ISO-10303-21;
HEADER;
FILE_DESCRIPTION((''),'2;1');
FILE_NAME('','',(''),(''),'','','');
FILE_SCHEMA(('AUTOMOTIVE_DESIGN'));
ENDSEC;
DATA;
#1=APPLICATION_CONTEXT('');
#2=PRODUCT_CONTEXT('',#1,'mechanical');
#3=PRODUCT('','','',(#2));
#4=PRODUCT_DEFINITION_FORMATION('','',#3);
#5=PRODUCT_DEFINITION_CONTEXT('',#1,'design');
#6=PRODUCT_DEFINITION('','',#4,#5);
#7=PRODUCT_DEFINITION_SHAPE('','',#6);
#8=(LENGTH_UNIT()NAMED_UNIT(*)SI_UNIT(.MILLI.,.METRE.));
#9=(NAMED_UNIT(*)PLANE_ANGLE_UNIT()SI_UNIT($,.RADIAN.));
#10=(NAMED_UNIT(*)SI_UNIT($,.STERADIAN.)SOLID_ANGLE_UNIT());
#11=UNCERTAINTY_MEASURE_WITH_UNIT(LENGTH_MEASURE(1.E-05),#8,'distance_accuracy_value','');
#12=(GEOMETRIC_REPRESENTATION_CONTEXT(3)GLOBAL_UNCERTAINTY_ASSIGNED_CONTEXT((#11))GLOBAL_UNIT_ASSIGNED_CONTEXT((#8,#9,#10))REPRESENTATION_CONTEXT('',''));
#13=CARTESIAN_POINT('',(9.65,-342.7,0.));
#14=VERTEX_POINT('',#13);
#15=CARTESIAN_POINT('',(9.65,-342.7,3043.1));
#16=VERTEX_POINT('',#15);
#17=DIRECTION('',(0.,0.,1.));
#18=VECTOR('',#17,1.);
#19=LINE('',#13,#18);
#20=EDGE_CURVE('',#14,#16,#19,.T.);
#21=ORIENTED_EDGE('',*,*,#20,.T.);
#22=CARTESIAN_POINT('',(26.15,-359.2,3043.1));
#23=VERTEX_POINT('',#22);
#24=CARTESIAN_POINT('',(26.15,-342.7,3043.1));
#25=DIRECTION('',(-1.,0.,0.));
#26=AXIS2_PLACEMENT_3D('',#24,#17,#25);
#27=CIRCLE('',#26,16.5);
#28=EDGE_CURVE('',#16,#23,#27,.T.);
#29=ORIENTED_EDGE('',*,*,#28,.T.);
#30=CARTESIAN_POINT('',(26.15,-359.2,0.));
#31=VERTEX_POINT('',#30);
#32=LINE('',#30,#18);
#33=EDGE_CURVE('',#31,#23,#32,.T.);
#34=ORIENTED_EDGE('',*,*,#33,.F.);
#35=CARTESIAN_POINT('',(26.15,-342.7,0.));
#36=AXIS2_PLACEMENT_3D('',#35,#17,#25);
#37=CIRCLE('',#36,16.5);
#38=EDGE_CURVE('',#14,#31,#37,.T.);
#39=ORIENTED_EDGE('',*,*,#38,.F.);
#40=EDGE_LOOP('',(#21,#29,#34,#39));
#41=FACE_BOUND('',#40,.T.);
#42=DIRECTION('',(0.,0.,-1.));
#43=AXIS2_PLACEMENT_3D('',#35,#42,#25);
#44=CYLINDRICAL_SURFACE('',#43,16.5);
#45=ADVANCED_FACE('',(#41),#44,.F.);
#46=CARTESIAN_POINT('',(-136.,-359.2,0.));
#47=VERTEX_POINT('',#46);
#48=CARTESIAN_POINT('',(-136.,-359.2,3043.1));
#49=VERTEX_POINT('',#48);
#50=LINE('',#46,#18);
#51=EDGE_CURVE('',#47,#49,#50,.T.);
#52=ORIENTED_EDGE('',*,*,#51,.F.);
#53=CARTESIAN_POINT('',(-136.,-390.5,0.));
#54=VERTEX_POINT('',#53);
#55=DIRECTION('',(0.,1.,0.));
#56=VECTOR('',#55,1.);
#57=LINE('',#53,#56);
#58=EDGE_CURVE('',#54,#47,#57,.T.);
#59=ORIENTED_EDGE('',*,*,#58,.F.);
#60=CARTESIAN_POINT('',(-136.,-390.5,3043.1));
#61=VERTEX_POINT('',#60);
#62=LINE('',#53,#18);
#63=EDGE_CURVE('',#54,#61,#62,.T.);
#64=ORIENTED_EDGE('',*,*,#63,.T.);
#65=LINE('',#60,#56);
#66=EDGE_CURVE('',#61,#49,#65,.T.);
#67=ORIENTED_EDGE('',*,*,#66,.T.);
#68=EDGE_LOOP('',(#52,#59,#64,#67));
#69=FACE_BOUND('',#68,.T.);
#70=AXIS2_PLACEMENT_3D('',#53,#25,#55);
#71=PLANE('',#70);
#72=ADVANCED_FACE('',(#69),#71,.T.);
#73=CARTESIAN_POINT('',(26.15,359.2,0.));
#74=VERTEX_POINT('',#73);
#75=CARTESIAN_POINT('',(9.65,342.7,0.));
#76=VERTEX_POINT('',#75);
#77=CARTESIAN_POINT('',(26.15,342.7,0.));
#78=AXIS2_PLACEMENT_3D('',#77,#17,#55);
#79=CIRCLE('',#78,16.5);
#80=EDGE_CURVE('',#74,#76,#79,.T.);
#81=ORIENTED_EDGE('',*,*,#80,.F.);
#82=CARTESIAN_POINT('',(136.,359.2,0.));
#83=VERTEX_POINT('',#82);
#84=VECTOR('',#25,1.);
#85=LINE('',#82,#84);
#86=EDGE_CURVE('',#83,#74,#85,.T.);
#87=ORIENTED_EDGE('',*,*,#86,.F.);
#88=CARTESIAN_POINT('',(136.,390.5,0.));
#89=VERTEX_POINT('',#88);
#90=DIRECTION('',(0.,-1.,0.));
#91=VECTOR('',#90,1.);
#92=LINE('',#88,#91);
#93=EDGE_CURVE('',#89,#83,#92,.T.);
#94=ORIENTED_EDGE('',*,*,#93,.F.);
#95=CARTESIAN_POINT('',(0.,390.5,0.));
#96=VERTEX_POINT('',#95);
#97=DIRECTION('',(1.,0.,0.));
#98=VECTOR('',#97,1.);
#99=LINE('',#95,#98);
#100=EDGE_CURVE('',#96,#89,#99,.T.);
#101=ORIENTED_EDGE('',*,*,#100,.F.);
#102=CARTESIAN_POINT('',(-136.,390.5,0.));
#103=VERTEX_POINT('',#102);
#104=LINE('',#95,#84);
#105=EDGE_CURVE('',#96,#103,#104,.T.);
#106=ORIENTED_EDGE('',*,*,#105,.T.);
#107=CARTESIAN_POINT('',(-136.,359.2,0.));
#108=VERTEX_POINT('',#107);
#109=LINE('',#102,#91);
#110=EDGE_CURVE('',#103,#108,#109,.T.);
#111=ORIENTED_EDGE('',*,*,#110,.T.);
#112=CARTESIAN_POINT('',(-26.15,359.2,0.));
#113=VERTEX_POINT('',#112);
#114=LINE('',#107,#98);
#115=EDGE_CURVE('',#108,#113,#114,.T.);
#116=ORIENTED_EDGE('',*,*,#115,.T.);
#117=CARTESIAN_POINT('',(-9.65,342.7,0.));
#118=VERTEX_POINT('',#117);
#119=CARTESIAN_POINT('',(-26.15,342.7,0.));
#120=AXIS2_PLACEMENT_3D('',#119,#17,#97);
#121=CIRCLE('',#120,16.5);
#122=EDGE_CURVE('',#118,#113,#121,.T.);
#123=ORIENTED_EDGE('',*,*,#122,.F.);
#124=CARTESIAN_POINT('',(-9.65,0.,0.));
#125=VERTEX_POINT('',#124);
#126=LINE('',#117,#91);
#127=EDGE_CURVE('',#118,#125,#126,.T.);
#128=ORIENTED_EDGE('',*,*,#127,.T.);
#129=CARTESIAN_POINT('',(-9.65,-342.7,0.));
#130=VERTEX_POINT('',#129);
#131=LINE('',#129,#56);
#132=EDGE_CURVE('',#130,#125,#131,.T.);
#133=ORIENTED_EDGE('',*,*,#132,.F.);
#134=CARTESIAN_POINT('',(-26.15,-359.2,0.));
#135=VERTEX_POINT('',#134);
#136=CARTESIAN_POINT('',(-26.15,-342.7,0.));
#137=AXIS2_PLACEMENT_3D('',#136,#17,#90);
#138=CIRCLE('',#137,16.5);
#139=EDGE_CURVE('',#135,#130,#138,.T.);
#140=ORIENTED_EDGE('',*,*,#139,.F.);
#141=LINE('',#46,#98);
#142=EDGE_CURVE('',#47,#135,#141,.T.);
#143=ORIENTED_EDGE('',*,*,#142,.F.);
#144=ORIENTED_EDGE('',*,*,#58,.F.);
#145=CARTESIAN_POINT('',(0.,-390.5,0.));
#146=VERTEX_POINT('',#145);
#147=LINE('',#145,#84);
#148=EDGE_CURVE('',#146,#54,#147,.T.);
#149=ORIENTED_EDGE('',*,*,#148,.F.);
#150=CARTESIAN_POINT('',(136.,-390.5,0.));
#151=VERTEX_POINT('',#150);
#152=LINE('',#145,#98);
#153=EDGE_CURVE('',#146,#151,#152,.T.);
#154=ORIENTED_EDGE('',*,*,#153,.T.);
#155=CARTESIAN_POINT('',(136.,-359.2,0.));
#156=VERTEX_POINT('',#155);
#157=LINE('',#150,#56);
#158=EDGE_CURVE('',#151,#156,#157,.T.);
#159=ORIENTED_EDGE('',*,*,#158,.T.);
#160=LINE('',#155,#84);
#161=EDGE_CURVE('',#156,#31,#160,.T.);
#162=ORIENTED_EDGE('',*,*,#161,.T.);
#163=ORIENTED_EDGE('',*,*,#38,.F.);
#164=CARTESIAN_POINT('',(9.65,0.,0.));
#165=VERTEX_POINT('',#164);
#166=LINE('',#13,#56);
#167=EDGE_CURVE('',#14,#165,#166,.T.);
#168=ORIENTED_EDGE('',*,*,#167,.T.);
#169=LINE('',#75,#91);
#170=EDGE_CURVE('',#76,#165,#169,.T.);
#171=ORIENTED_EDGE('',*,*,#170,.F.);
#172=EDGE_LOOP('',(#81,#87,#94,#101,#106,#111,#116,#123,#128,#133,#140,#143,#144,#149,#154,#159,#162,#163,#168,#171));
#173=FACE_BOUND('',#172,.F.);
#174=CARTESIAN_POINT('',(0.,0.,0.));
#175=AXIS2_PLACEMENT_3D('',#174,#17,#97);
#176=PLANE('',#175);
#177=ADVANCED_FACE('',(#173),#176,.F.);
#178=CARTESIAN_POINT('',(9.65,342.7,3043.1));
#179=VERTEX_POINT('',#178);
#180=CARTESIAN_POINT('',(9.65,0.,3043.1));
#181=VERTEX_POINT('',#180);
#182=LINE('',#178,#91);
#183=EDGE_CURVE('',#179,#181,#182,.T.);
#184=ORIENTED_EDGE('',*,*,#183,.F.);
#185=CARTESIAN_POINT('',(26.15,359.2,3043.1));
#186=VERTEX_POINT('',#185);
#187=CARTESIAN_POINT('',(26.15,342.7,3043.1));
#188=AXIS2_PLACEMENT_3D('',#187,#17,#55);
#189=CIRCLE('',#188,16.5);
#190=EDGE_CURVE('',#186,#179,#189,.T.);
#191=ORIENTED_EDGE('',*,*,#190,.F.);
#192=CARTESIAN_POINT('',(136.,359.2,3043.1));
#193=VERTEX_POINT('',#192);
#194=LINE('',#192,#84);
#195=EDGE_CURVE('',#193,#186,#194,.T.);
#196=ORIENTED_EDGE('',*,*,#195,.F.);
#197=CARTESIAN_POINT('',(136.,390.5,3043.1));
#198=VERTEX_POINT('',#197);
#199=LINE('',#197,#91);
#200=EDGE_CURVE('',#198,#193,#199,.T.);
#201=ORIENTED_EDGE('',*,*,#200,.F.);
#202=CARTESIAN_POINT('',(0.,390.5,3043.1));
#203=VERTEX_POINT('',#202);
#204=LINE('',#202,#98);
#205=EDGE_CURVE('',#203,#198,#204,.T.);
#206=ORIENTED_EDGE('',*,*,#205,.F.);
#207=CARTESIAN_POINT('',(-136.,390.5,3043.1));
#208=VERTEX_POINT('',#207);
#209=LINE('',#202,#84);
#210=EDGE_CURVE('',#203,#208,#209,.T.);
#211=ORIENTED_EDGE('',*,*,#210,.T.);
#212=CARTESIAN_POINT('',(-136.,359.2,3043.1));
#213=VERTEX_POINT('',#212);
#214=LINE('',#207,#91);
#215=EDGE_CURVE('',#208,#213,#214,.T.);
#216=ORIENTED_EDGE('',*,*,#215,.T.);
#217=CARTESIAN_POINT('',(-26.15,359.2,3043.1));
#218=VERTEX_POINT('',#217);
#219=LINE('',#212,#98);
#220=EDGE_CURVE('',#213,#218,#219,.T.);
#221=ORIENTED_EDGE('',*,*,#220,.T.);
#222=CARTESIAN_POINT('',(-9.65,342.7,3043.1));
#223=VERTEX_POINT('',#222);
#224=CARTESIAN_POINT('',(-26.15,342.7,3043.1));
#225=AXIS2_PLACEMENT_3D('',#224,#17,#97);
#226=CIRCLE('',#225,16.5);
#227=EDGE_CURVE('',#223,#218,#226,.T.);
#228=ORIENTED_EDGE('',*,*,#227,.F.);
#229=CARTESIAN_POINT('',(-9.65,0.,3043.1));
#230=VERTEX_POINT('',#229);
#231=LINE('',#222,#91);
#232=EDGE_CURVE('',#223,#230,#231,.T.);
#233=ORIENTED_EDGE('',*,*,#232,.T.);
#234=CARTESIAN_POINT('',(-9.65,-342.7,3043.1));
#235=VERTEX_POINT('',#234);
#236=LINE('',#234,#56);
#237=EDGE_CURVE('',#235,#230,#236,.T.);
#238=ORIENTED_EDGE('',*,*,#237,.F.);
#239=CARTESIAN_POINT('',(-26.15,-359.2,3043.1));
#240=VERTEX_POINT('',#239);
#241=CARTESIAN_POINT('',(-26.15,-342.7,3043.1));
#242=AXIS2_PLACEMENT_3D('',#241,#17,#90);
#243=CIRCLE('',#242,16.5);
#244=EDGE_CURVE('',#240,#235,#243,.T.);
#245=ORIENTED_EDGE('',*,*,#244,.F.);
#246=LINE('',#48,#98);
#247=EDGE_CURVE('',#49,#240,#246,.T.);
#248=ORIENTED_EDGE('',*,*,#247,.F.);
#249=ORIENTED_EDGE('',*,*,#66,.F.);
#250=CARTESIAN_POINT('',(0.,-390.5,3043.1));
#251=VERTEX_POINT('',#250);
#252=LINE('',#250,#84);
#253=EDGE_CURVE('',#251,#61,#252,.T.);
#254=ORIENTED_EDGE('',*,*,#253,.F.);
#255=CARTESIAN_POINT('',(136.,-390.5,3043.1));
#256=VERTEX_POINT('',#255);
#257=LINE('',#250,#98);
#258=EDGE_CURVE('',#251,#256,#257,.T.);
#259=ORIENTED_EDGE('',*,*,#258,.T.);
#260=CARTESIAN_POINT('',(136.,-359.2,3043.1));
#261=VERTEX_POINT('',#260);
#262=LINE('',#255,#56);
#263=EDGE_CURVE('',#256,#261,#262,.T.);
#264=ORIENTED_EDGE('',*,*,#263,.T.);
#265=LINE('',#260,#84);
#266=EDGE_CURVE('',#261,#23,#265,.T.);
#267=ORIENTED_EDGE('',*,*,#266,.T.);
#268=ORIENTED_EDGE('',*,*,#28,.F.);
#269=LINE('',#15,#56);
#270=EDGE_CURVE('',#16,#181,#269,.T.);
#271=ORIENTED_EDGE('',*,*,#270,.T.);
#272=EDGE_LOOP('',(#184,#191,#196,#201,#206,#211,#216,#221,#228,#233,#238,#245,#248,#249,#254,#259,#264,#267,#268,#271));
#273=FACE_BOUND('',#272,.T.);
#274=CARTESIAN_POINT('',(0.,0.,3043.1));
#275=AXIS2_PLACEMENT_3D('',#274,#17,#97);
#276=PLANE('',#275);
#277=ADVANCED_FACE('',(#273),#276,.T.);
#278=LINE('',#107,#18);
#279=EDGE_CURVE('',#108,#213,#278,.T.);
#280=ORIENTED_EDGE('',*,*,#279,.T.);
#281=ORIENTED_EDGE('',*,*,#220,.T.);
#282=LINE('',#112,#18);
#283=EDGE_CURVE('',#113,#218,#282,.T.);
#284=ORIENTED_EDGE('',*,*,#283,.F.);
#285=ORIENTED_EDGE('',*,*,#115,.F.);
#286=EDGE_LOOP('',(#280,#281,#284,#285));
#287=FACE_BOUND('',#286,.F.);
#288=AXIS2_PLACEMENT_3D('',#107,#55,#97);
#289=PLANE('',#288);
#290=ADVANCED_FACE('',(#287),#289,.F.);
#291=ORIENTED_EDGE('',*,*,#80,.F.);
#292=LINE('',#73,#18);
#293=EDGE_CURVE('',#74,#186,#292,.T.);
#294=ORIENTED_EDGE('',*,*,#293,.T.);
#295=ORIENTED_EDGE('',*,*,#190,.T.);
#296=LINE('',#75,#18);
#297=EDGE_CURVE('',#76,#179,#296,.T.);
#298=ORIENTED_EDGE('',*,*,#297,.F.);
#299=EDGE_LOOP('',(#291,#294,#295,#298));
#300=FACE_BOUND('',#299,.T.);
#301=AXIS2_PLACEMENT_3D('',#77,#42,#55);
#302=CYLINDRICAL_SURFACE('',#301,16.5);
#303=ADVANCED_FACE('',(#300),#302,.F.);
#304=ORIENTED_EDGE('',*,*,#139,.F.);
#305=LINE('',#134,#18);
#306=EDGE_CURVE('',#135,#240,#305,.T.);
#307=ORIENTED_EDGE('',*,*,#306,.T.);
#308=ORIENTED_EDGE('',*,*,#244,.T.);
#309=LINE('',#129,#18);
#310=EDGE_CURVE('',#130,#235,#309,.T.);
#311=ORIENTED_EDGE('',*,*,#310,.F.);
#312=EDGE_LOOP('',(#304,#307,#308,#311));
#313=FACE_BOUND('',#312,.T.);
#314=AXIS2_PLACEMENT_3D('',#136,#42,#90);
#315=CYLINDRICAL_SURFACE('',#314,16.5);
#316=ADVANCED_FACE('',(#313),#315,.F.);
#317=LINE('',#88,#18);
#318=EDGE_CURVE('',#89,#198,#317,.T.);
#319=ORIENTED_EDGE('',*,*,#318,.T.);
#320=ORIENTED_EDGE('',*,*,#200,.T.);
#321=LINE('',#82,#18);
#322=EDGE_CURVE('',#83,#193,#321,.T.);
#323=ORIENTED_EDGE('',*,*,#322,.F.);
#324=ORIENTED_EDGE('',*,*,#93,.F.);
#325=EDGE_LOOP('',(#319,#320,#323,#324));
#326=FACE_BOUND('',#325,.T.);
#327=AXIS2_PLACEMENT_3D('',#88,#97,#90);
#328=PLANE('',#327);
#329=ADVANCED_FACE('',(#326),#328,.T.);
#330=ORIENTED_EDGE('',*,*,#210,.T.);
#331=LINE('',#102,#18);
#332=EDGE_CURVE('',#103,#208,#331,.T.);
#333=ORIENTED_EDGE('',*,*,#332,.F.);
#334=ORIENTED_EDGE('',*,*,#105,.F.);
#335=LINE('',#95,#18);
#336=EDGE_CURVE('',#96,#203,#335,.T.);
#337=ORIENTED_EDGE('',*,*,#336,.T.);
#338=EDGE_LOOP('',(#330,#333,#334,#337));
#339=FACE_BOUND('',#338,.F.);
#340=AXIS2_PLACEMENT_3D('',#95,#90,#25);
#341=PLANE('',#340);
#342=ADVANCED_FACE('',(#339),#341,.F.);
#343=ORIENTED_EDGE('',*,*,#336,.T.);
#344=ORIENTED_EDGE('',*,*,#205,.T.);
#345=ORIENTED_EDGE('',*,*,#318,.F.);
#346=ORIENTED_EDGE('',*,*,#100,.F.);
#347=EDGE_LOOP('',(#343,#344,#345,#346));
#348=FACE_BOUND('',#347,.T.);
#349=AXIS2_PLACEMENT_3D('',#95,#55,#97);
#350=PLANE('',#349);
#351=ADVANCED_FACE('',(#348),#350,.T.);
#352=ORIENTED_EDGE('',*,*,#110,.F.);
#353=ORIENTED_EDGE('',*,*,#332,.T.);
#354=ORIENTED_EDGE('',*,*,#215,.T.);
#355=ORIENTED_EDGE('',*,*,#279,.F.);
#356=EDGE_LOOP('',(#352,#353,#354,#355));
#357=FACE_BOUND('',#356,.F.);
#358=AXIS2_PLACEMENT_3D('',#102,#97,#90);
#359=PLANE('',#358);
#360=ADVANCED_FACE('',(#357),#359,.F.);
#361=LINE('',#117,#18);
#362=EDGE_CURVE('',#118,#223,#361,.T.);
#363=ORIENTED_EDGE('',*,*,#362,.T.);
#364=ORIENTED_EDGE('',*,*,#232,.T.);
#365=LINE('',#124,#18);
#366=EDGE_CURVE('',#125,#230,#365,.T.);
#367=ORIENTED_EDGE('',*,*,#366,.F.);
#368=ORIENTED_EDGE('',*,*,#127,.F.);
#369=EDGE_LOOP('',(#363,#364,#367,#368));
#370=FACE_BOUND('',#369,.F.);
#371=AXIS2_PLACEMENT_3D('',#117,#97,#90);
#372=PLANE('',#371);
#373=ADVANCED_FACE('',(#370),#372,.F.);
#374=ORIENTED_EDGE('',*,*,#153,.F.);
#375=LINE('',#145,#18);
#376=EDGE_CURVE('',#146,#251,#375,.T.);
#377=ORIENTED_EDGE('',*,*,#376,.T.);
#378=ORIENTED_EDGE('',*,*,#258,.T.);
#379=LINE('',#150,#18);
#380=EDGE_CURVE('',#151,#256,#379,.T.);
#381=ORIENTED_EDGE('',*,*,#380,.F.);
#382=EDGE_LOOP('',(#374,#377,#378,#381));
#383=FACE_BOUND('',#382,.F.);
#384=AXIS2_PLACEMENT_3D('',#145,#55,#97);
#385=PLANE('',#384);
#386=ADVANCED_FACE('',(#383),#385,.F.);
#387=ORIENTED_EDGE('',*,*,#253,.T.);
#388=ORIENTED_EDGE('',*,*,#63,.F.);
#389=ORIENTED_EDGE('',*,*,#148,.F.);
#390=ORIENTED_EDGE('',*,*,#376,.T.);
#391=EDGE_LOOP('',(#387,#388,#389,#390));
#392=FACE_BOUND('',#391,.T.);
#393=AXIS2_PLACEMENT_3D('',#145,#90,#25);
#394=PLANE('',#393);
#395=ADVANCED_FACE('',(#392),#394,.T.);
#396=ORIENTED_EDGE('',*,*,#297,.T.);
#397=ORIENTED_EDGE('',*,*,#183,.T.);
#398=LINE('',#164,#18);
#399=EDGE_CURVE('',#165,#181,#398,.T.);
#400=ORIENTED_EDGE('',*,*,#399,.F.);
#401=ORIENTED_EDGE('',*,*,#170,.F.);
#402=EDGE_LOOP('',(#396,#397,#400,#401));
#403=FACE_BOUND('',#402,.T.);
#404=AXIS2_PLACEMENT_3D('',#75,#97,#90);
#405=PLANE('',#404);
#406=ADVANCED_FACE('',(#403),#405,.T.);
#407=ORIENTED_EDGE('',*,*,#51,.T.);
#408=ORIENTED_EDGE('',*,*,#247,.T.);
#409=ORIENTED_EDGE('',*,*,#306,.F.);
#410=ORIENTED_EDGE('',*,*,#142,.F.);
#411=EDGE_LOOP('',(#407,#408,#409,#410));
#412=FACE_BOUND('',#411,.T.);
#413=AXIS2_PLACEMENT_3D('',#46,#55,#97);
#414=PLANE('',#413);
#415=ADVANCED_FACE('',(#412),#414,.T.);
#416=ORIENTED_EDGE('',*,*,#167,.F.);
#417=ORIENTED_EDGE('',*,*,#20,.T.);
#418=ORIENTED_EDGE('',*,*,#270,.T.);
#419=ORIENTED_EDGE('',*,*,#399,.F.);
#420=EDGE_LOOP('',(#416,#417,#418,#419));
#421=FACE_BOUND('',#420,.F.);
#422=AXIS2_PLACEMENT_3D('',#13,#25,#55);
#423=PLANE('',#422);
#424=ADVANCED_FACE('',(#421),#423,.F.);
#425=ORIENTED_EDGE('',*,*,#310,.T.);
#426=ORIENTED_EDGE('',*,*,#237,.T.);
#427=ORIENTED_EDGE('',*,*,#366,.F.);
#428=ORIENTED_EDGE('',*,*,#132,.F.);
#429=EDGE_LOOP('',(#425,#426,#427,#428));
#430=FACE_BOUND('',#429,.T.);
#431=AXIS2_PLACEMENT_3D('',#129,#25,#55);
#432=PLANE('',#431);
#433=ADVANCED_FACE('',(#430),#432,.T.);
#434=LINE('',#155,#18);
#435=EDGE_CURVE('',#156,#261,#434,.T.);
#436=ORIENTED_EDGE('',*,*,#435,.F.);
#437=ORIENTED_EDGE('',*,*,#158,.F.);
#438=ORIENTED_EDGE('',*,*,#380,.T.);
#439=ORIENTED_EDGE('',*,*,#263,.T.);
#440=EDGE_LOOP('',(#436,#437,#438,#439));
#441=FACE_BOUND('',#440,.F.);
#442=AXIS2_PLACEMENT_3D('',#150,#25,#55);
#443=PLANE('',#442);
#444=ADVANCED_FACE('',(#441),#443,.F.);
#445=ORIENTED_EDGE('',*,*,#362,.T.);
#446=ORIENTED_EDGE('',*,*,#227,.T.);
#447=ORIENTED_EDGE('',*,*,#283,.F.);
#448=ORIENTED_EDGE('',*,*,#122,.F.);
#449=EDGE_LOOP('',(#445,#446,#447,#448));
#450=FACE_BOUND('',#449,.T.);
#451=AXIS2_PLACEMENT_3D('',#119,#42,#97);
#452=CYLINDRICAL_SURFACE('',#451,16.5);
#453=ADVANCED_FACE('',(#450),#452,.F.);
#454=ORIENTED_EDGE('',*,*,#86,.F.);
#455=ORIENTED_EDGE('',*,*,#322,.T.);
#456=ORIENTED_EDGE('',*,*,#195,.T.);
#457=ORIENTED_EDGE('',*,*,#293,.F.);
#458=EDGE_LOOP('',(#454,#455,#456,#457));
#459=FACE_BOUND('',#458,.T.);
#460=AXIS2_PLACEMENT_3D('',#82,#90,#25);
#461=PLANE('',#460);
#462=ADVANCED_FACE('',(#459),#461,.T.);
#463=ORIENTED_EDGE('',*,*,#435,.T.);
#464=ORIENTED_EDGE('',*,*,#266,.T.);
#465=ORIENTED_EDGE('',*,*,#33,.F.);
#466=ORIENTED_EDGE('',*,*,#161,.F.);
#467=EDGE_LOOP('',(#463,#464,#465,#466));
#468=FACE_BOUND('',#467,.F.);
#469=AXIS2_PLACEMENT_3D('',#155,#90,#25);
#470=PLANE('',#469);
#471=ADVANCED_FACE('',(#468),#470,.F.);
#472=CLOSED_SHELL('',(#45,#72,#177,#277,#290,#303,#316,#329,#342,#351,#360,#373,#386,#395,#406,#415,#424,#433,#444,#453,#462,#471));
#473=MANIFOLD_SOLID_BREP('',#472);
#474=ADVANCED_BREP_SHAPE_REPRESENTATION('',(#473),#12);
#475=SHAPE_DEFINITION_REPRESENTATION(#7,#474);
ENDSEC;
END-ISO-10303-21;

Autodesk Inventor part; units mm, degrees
ref_plane "YZ Plane" through (0, 0, 0) normal (1, 0, 0) x (0, 1, 0)
ref_plane "Start plane" through (0, 0, 0) normal (0, 0, 1) x (1, 0, 0)
ref_plane "End plane" through (0, 0, 3043.1) normal (0, 0, 1) x (1, 0, 0)
sketch "Sketch" plane through (0, 0, 0) normal (0, 0, 1) x (1, 0, 0)
  line L0 (-136, -390.5) -> (-136, -359.2)
  line L1 (-136, -359.2) -> (-26.15, -359.2)
  line L2 (-9.65, -342.7) -> (-9.65, 0)
  line L3 (-9.65, 0) -> (0, 0) construction
  line L4 (0, 0) -> (0, -390.5) construction
  line L5 (0, -390.5) -> (-136, -390.5)
  line L6 (-60, 0) -> (80, 0) construction
  line L7 (0, -60) -> (0, 80) construction
  line L8 (136, -390.5) -> (136, -359.2)
  line L9 (136, -359.2) -> (26.15, -359.2)
  line L10 (9.65, -342.7) -> (9.65, 0)
  line L11 (9.65, 0) -> (0, 0) construction
  line L12 (0, -390.5) -> (136, -390.5)
  line L13 (-136, 390.5) -> (-136, 359.2)
  line L14 (-136, 359.2) -> (-26.15, 359.2)
  line L15 (-9.65, 342.7) -> (-9.65, 0)
  line L16 (0, 390.5) -> (-136, 390.5)
  line L17 (136, 390.5) -> (136, 359.2)
  line L18 (136, 359.2) -> (26.15, 359.2)
  line L19 (0, 390.5) -> (136, 390.5)
  line L20 (9.65, 342.7) -> (9.65, 0)
  arc A0 (-9.65, 342.7) -> (-26.15, 359.2) centre (-26.15, 342.7) ccw
  arc A1 (26.15, 359.2) -> (9.65, 342.7) centre (26.15, 342.7) ccw
  arc A2 (9.65, -342.7) -> (26.15, -359.2) centre (26.15, -342.7) ccw
  arc A3 (-26.15, -359.2) -> (-9.65, -342.7) centre (-26.15, -342.7) ccw
  line L21 (0, 108) -> (0, -88) construction
  line L22 (-88, 0) -> (108, 0) construction
  point P0 (-9.65, -359.2)
  point P1 (9.65, -359.2)
  point P2 (-9.65, 359.2)
  point P3 (9.65, 359.2)
  dimension "d1" = 390.5
  dimension "d2" = 31.3
  dimension "d3" = 136
  dimension "d4" = 9.65
  dimension "d10" = 16.5
extrude "Body" add sketch "Sketch" along normal up to surface (3043.1 mm away) from surface at 0
sketch "Sketch4" plane through (0, 0, 0) normal (0, 0, 1) x (1, 0, 0)
  line L0 (0, 0) -> (10, 0)
ref_plane "Work Plane3" through (0, 0, 0) normal (0, -1, 0) x (1, 0, 0)
sketch "Sketch5" plane through (0, 0, 0) normal (0, -1, 0) x (1, 0, 0)
  line L0 (-2, 0) -> (12, 0) projected
  line L1 (-2, 3043.1) -> (12, 3043.1) projected
  dimension "d14" = 3043.1
equation "\"d1\" = 0.5 * G_H"
equation "\"d2\" = G_T1"
equation "\"d3\" = 0.5 * G_W"
equation "\"d4\" = 0.5 * G_T"
equation "\"d10\" = G_IR"
equation "\"d5\" = G_L"
equation "\"G_W\" = 272"
equation "\"G_H\" = 781"
equation "\"G_T\" = 19.3"
equation "\"G_T1\" = 31.3"
equation "\"G_IR\" = 16.5"
equation "\"G_L\" = d14"
equation "\"G_OFFSET_START\" = 0"
equation "\"G_OFFSET_END\" = 0"
equation "\"d12\" = G_OFFSET_END + B_L"
equation "\"B_L\" = 3043.1"
properties part number "AS 3679-1990 - 760 UB - 244 - 3043.1" material "Steel, Mild"
